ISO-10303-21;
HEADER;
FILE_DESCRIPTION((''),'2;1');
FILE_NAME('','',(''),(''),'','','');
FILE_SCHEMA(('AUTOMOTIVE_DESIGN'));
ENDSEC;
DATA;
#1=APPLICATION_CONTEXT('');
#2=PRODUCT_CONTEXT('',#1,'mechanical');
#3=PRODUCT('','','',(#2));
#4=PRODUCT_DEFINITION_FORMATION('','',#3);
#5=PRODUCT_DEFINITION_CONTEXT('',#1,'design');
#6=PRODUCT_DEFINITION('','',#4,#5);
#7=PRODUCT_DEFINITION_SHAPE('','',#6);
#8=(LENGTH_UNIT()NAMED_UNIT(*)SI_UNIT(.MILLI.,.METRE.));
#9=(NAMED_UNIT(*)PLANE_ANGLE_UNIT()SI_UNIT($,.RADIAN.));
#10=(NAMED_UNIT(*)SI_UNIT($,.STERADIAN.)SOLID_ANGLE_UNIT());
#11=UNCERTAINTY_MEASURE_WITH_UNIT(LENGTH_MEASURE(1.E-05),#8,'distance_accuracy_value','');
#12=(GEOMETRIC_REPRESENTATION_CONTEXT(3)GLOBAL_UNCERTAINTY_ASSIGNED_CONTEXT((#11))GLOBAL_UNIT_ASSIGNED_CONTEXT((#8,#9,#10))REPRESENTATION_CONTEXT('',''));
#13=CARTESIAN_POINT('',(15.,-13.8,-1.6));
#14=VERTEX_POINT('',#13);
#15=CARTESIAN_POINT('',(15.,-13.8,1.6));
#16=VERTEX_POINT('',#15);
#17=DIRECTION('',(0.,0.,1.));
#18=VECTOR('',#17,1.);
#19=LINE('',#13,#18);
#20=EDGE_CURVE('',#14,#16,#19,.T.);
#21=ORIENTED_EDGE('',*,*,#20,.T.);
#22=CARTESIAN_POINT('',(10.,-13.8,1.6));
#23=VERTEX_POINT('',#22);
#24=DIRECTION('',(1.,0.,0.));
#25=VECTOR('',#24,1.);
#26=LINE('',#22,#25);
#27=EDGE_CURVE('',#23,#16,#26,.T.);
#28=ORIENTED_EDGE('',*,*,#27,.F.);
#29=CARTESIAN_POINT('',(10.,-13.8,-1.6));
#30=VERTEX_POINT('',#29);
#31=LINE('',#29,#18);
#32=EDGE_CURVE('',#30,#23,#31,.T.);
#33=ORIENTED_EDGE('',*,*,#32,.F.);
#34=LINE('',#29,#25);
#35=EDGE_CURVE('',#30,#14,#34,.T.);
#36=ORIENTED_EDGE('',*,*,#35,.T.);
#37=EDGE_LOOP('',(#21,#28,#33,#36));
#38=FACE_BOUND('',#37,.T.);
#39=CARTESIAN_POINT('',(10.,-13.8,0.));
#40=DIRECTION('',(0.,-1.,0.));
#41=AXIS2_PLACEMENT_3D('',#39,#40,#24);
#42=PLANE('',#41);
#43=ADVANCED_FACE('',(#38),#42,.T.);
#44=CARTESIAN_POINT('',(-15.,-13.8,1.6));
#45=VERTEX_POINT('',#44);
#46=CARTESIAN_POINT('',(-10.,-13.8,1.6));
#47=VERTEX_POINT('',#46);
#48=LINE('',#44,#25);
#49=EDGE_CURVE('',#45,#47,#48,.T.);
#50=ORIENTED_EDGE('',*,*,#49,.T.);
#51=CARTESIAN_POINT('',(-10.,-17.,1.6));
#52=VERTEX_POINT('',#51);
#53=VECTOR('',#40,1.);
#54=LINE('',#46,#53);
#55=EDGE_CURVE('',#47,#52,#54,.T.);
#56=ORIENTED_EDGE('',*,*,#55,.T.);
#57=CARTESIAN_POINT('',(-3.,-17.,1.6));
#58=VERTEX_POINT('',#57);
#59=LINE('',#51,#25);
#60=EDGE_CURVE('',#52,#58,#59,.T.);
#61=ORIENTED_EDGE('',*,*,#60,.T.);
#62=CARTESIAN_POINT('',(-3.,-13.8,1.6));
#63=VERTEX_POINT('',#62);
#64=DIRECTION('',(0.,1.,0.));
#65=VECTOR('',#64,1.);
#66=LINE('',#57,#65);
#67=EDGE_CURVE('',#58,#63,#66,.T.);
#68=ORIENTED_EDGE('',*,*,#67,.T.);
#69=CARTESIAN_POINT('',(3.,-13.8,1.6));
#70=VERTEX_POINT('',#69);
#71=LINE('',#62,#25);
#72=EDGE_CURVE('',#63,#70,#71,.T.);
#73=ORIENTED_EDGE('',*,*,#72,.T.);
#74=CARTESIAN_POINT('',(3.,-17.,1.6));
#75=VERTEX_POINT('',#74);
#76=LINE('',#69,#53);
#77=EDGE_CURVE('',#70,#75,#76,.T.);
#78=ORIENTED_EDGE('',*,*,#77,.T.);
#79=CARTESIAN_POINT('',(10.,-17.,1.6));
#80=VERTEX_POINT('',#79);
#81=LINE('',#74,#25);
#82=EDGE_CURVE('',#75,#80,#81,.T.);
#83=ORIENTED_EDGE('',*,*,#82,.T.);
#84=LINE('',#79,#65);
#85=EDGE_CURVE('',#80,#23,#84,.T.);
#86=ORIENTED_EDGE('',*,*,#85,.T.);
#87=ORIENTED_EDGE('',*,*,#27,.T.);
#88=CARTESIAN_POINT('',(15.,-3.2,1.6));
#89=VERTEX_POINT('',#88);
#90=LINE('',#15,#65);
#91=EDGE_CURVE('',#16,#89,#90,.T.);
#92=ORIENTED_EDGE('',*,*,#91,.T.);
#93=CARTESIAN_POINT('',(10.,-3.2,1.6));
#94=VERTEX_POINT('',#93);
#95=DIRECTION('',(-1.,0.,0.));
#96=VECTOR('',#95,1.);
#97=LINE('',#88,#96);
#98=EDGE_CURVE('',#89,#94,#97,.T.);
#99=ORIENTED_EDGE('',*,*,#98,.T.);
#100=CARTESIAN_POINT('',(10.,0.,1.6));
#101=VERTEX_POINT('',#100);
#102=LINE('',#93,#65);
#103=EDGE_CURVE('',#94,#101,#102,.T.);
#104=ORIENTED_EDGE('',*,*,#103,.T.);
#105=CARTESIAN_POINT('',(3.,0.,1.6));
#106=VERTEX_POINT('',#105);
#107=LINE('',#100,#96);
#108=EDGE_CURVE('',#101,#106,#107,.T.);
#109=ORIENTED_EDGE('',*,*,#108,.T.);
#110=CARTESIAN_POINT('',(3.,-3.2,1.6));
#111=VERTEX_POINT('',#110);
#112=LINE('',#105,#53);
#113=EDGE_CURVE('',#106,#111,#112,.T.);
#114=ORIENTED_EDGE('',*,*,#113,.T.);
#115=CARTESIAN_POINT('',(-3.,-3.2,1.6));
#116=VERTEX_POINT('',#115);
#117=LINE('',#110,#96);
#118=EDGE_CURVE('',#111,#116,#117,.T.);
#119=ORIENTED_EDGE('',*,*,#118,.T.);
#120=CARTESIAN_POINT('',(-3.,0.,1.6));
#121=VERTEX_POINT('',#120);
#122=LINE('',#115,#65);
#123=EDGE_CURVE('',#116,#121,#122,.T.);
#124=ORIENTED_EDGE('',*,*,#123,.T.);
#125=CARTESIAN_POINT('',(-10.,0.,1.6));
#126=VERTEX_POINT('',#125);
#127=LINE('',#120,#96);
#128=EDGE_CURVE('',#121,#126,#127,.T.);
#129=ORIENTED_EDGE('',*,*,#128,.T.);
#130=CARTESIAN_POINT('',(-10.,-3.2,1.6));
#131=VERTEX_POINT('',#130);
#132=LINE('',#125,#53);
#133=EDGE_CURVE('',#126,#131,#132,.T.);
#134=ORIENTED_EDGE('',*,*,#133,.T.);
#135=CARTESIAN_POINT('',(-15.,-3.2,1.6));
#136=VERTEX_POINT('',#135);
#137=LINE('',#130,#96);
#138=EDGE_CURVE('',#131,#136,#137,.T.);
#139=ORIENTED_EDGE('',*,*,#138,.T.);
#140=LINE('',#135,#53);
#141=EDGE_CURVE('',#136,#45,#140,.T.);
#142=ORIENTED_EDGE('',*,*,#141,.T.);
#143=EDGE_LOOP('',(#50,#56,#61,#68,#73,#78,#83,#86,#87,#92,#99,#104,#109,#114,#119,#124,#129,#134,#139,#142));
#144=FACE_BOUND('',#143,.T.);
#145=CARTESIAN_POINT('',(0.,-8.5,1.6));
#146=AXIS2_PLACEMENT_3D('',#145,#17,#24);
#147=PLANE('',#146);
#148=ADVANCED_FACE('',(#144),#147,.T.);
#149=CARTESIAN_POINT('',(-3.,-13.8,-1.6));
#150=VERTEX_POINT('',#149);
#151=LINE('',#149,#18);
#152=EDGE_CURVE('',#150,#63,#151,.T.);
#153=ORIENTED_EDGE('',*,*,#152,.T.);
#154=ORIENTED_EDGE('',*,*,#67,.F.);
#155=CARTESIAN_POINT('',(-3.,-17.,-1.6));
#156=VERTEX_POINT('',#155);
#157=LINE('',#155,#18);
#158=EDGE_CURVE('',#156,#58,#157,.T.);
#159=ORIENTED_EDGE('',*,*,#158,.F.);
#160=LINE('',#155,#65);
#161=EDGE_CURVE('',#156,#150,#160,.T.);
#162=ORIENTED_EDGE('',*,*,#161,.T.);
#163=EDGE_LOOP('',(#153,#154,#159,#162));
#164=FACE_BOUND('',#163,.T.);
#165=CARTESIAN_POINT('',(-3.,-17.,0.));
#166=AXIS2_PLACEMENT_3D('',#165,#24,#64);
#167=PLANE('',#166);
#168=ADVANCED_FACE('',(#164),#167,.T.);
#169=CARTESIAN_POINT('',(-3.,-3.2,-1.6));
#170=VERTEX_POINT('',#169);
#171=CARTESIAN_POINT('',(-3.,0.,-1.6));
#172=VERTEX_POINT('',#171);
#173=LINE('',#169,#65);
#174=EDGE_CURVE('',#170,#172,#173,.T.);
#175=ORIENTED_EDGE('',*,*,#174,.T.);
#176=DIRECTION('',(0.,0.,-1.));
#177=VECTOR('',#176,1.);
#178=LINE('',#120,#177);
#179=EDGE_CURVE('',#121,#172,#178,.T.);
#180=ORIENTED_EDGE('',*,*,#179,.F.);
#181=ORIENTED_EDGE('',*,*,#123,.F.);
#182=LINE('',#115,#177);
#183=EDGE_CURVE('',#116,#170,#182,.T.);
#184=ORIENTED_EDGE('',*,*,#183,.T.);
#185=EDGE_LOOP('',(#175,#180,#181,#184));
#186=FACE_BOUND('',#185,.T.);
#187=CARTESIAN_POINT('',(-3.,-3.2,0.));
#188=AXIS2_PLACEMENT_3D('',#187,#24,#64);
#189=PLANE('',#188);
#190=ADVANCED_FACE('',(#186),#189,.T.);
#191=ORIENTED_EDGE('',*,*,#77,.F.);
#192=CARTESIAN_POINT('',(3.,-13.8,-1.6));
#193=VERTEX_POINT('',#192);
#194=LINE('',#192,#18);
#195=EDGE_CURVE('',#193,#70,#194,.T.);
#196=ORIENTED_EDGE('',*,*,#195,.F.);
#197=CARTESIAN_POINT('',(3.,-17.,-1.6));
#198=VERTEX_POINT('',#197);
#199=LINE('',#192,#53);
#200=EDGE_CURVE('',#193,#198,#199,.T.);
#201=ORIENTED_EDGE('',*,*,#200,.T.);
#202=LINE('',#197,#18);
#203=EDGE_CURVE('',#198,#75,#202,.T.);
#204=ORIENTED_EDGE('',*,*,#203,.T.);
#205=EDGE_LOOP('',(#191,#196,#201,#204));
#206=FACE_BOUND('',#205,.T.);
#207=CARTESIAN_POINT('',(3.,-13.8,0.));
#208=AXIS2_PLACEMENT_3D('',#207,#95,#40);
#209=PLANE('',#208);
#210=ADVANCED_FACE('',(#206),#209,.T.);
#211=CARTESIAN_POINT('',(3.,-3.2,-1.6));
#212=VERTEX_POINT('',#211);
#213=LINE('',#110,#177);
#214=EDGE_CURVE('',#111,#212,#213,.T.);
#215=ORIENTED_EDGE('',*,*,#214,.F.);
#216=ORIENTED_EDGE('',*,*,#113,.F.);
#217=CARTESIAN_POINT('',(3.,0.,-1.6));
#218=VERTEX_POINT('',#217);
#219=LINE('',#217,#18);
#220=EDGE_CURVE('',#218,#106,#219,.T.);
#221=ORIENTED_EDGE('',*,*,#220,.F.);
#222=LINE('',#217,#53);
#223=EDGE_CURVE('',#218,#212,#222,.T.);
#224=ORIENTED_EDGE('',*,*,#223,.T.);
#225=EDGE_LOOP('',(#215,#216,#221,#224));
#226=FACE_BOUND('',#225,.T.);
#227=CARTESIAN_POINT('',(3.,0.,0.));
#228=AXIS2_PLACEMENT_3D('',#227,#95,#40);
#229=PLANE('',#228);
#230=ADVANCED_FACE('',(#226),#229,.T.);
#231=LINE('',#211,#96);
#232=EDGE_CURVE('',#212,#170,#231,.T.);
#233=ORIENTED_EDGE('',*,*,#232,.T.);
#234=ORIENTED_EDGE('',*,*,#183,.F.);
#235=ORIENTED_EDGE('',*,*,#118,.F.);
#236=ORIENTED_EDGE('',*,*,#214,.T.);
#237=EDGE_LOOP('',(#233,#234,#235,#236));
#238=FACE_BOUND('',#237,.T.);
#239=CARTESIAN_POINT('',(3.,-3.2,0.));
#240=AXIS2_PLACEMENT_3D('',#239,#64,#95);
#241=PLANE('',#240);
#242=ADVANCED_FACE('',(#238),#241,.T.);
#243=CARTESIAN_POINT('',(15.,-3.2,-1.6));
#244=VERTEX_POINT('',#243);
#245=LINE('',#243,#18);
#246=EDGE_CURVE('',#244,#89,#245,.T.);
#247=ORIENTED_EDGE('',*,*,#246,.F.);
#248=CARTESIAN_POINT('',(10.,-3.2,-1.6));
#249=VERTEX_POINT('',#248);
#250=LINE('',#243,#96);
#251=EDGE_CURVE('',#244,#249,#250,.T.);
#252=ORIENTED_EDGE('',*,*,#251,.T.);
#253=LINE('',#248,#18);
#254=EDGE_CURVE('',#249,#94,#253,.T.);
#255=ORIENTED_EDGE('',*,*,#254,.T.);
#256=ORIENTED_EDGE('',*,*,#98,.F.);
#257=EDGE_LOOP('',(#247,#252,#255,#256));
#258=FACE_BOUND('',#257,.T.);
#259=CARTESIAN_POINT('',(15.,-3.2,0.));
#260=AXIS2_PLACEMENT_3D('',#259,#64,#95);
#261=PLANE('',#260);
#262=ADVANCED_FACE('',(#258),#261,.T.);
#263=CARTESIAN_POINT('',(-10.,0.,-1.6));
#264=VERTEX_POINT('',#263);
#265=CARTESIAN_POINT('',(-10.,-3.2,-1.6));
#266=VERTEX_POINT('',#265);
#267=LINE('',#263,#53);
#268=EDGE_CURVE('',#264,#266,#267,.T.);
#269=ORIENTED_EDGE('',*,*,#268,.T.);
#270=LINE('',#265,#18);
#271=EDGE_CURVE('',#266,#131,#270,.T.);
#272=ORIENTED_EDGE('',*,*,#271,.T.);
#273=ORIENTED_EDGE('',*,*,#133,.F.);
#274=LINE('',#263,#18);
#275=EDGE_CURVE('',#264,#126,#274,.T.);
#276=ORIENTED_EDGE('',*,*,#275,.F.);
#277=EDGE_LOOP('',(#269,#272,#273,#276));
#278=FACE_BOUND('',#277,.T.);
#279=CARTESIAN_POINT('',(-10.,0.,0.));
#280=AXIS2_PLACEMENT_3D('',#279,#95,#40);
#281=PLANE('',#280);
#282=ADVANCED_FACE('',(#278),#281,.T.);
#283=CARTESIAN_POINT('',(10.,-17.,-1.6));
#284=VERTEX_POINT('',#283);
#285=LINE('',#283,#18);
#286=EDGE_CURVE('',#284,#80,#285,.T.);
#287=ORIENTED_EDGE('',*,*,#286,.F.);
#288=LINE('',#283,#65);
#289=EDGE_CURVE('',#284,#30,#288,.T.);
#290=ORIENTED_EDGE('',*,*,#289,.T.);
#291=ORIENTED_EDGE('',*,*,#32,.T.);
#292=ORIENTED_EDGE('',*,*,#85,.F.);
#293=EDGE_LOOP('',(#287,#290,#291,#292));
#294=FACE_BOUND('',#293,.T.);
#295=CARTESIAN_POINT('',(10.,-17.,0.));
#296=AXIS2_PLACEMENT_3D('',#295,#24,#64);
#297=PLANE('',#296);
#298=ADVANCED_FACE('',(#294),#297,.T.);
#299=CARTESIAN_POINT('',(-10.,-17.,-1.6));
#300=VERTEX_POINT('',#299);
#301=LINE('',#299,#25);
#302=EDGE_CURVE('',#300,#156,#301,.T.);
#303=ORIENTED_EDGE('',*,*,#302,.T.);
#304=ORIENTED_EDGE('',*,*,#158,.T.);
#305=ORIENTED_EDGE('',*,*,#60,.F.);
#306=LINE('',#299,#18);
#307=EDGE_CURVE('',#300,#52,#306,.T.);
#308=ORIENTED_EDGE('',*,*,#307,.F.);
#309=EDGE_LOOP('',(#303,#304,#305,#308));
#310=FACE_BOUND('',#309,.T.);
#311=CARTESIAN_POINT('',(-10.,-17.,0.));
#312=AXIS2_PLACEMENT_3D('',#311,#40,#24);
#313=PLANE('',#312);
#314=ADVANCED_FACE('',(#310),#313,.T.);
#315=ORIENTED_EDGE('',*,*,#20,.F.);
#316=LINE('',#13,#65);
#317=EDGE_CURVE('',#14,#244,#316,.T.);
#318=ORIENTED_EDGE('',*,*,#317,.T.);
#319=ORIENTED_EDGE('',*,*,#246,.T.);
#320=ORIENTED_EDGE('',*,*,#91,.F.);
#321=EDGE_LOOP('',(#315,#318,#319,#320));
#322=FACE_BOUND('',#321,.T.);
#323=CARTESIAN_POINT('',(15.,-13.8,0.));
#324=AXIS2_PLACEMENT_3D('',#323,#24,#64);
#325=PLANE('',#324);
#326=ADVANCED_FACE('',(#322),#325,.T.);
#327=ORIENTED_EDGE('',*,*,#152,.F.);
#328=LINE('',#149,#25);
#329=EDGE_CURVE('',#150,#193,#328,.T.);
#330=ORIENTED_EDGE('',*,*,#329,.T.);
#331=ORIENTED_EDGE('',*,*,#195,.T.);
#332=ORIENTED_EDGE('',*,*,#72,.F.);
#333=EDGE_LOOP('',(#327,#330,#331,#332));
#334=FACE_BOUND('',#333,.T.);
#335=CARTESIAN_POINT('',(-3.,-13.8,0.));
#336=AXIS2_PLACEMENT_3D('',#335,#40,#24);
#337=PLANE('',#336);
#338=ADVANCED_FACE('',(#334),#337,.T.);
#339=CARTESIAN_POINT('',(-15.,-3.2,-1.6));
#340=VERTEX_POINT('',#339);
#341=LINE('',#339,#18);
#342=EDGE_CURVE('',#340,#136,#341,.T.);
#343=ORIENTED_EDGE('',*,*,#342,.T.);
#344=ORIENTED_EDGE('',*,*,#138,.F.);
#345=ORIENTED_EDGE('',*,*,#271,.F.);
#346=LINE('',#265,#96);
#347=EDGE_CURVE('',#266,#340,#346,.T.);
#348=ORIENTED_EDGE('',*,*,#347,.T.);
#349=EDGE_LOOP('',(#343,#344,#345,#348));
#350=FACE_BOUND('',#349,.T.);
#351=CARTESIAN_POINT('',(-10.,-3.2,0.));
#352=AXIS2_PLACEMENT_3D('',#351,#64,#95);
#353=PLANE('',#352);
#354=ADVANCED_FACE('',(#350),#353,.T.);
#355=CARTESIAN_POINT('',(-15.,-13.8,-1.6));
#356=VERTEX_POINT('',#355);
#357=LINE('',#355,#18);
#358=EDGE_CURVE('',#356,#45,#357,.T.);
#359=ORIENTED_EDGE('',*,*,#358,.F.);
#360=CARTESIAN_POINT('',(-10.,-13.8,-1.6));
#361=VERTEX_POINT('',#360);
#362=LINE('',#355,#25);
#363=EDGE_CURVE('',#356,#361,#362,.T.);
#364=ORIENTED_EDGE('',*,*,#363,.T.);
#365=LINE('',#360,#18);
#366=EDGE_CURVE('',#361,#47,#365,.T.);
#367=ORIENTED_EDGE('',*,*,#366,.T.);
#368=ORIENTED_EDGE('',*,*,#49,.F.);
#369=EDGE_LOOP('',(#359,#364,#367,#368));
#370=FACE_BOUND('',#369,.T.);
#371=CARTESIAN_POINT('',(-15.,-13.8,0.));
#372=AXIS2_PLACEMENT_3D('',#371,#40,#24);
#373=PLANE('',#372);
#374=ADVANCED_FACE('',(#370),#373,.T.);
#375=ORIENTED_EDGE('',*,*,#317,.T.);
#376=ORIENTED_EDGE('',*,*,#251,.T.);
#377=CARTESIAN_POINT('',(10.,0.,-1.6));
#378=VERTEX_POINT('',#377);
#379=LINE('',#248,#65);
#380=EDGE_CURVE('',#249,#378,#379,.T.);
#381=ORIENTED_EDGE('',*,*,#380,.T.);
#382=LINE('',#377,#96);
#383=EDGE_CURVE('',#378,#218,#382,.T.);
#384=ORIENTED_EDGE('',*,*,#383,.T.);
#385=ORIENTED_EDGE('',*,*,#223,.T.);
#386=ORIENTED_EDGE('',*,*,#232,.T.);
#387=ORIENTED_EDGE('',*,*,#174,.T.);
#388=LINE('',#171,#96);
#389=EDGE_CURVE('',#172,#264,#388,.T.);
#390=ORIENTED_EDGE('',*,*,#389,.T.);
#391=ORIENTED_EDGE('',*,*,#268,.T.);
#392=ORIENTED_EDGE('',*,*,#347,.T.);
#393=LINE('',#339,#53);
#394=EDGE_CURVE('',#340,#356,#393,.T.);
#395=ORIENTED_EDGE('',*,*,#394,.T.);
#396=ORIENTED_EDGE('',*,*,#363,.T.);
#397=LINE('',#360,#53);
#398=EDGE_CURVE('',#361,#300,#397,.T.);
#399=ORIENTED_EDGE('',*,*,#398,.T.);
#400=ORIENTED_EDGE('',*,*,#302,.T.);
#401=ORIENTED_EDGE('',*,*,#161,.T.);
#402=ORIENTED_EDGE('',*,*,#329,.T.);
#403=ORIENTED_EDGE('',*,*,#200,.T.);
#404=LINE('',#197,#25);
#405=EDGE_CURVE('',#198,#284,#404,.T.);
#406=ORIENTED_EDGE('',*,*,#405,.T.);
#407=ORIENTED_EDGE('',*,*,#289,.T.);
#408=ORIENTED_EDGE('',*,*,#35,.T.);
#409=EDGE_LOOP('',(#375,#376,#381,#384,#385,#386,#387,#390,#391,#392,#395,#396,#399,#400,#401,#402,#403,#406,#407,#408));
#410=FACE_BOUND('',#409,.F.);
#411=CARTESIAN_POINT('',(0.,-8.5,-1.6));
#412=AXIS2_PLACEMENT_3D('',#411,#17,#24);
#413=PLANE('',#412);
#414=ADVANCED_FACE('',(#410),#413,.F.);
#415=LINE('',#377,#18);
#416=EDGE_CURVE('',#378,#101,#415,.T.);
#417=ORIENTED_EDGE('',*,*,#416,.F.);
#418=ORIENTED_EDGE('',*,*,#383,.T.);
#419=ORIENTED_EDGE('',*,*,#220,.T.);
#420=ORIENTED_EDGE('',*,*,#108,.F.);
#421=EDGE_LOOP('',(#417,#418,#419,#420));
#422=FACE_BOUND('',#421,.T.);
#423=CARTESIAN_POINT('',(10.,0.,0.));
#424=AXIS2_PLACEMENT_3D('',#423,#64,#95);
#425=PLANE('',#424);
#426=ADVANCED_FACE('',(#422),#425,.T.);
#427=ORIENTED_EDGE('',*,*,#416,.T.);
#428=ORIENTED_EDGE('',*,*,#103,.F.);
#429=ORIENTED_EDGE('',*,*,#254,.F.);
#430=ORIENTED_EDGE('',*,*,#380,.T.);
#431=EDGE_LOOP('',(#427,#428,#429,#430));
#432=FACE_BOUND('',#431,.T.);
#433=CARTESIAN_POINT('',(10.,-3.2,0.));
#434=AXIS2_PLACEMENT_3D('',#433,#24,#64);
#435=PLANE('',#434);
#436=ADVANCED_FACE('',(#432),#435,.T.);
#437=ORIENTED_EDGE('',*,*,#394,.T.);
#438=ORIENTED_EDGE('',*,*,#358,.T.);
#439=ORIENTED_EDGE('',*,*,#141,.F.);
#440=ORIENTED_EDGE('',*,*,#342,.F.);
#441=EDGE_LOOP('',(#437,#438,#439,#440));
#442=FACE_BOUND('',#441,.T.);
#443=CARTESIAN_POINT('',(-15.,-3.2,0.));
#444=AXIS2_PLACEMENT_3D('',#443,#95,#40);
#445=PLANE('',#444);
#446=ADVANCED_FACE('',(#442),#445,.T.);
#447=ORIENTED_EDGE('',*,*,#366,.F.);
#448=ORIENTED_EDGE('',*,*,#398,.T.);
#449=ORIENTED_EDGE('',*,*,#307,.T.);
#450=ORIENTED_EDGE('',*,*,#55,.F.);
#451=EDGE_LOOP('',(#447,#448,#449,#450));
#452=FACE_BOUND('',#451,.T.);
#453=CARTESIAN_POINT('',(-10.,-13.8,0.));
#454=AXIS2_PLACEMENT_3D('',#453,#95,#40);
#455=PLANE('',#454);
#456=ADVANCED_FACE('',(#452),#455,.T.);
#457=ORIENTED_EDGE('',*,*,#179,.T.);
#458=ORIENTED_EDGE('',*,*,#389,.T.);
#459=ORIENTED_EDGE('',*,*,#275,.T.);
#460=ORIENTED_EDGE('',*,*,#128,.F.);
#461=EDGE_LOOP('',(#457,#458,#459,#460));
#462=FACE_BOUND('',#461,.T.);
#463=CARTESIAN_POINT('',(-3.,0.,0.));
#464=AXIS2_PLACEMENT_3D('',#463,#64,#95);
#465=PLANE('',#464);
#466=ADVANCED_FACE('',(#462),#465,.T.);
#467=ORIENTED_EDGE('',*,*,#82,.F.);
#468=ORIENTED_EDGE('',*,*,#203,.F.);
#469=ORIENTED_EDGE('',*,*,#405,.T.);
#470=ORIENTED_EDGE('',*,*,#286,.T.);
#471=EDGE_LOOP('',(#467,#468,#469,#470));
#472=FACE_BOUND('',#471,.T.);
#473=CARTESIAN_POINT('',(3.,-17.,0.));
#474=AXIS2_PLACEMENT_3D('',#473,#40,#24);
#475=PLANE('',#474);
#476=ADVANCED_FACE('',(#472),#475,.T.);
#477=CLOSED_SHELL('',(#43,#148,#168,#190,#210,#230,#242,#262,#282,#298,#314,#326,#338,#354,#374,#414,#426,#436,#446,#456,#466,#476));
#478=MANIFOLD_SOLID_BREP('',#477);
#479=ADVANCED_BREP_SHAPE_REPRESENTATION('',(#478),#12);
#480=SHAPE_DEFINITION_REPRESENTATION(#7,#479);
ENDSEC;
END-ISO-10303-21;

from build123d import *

# Parameters (mm, degrees)
F1_DEPTH = 1.6


with BuildPart() as f1:
    # F0 (on Top) → F1 (new body, symmetric)
    with BuildSketch(Plane.XY):
        Polygon((-3, 0), (-10, 0), (-10, -3.2), (-15, -3.2), (-15, -13.8), (-10, -13.8), (-10, -17), (-3, -17), (-3, -13.8), (3, -13.8), (3, -17), (10, -17), (10, -13.8), (15, -13.8), (15, -3.2), (10, -3.2), (10, 0), (3, 0), (3, -3.2), (-3, -3.2), align=None)
    extrude(amount=F1_DEPTH, both=True)


solid = f1.part
